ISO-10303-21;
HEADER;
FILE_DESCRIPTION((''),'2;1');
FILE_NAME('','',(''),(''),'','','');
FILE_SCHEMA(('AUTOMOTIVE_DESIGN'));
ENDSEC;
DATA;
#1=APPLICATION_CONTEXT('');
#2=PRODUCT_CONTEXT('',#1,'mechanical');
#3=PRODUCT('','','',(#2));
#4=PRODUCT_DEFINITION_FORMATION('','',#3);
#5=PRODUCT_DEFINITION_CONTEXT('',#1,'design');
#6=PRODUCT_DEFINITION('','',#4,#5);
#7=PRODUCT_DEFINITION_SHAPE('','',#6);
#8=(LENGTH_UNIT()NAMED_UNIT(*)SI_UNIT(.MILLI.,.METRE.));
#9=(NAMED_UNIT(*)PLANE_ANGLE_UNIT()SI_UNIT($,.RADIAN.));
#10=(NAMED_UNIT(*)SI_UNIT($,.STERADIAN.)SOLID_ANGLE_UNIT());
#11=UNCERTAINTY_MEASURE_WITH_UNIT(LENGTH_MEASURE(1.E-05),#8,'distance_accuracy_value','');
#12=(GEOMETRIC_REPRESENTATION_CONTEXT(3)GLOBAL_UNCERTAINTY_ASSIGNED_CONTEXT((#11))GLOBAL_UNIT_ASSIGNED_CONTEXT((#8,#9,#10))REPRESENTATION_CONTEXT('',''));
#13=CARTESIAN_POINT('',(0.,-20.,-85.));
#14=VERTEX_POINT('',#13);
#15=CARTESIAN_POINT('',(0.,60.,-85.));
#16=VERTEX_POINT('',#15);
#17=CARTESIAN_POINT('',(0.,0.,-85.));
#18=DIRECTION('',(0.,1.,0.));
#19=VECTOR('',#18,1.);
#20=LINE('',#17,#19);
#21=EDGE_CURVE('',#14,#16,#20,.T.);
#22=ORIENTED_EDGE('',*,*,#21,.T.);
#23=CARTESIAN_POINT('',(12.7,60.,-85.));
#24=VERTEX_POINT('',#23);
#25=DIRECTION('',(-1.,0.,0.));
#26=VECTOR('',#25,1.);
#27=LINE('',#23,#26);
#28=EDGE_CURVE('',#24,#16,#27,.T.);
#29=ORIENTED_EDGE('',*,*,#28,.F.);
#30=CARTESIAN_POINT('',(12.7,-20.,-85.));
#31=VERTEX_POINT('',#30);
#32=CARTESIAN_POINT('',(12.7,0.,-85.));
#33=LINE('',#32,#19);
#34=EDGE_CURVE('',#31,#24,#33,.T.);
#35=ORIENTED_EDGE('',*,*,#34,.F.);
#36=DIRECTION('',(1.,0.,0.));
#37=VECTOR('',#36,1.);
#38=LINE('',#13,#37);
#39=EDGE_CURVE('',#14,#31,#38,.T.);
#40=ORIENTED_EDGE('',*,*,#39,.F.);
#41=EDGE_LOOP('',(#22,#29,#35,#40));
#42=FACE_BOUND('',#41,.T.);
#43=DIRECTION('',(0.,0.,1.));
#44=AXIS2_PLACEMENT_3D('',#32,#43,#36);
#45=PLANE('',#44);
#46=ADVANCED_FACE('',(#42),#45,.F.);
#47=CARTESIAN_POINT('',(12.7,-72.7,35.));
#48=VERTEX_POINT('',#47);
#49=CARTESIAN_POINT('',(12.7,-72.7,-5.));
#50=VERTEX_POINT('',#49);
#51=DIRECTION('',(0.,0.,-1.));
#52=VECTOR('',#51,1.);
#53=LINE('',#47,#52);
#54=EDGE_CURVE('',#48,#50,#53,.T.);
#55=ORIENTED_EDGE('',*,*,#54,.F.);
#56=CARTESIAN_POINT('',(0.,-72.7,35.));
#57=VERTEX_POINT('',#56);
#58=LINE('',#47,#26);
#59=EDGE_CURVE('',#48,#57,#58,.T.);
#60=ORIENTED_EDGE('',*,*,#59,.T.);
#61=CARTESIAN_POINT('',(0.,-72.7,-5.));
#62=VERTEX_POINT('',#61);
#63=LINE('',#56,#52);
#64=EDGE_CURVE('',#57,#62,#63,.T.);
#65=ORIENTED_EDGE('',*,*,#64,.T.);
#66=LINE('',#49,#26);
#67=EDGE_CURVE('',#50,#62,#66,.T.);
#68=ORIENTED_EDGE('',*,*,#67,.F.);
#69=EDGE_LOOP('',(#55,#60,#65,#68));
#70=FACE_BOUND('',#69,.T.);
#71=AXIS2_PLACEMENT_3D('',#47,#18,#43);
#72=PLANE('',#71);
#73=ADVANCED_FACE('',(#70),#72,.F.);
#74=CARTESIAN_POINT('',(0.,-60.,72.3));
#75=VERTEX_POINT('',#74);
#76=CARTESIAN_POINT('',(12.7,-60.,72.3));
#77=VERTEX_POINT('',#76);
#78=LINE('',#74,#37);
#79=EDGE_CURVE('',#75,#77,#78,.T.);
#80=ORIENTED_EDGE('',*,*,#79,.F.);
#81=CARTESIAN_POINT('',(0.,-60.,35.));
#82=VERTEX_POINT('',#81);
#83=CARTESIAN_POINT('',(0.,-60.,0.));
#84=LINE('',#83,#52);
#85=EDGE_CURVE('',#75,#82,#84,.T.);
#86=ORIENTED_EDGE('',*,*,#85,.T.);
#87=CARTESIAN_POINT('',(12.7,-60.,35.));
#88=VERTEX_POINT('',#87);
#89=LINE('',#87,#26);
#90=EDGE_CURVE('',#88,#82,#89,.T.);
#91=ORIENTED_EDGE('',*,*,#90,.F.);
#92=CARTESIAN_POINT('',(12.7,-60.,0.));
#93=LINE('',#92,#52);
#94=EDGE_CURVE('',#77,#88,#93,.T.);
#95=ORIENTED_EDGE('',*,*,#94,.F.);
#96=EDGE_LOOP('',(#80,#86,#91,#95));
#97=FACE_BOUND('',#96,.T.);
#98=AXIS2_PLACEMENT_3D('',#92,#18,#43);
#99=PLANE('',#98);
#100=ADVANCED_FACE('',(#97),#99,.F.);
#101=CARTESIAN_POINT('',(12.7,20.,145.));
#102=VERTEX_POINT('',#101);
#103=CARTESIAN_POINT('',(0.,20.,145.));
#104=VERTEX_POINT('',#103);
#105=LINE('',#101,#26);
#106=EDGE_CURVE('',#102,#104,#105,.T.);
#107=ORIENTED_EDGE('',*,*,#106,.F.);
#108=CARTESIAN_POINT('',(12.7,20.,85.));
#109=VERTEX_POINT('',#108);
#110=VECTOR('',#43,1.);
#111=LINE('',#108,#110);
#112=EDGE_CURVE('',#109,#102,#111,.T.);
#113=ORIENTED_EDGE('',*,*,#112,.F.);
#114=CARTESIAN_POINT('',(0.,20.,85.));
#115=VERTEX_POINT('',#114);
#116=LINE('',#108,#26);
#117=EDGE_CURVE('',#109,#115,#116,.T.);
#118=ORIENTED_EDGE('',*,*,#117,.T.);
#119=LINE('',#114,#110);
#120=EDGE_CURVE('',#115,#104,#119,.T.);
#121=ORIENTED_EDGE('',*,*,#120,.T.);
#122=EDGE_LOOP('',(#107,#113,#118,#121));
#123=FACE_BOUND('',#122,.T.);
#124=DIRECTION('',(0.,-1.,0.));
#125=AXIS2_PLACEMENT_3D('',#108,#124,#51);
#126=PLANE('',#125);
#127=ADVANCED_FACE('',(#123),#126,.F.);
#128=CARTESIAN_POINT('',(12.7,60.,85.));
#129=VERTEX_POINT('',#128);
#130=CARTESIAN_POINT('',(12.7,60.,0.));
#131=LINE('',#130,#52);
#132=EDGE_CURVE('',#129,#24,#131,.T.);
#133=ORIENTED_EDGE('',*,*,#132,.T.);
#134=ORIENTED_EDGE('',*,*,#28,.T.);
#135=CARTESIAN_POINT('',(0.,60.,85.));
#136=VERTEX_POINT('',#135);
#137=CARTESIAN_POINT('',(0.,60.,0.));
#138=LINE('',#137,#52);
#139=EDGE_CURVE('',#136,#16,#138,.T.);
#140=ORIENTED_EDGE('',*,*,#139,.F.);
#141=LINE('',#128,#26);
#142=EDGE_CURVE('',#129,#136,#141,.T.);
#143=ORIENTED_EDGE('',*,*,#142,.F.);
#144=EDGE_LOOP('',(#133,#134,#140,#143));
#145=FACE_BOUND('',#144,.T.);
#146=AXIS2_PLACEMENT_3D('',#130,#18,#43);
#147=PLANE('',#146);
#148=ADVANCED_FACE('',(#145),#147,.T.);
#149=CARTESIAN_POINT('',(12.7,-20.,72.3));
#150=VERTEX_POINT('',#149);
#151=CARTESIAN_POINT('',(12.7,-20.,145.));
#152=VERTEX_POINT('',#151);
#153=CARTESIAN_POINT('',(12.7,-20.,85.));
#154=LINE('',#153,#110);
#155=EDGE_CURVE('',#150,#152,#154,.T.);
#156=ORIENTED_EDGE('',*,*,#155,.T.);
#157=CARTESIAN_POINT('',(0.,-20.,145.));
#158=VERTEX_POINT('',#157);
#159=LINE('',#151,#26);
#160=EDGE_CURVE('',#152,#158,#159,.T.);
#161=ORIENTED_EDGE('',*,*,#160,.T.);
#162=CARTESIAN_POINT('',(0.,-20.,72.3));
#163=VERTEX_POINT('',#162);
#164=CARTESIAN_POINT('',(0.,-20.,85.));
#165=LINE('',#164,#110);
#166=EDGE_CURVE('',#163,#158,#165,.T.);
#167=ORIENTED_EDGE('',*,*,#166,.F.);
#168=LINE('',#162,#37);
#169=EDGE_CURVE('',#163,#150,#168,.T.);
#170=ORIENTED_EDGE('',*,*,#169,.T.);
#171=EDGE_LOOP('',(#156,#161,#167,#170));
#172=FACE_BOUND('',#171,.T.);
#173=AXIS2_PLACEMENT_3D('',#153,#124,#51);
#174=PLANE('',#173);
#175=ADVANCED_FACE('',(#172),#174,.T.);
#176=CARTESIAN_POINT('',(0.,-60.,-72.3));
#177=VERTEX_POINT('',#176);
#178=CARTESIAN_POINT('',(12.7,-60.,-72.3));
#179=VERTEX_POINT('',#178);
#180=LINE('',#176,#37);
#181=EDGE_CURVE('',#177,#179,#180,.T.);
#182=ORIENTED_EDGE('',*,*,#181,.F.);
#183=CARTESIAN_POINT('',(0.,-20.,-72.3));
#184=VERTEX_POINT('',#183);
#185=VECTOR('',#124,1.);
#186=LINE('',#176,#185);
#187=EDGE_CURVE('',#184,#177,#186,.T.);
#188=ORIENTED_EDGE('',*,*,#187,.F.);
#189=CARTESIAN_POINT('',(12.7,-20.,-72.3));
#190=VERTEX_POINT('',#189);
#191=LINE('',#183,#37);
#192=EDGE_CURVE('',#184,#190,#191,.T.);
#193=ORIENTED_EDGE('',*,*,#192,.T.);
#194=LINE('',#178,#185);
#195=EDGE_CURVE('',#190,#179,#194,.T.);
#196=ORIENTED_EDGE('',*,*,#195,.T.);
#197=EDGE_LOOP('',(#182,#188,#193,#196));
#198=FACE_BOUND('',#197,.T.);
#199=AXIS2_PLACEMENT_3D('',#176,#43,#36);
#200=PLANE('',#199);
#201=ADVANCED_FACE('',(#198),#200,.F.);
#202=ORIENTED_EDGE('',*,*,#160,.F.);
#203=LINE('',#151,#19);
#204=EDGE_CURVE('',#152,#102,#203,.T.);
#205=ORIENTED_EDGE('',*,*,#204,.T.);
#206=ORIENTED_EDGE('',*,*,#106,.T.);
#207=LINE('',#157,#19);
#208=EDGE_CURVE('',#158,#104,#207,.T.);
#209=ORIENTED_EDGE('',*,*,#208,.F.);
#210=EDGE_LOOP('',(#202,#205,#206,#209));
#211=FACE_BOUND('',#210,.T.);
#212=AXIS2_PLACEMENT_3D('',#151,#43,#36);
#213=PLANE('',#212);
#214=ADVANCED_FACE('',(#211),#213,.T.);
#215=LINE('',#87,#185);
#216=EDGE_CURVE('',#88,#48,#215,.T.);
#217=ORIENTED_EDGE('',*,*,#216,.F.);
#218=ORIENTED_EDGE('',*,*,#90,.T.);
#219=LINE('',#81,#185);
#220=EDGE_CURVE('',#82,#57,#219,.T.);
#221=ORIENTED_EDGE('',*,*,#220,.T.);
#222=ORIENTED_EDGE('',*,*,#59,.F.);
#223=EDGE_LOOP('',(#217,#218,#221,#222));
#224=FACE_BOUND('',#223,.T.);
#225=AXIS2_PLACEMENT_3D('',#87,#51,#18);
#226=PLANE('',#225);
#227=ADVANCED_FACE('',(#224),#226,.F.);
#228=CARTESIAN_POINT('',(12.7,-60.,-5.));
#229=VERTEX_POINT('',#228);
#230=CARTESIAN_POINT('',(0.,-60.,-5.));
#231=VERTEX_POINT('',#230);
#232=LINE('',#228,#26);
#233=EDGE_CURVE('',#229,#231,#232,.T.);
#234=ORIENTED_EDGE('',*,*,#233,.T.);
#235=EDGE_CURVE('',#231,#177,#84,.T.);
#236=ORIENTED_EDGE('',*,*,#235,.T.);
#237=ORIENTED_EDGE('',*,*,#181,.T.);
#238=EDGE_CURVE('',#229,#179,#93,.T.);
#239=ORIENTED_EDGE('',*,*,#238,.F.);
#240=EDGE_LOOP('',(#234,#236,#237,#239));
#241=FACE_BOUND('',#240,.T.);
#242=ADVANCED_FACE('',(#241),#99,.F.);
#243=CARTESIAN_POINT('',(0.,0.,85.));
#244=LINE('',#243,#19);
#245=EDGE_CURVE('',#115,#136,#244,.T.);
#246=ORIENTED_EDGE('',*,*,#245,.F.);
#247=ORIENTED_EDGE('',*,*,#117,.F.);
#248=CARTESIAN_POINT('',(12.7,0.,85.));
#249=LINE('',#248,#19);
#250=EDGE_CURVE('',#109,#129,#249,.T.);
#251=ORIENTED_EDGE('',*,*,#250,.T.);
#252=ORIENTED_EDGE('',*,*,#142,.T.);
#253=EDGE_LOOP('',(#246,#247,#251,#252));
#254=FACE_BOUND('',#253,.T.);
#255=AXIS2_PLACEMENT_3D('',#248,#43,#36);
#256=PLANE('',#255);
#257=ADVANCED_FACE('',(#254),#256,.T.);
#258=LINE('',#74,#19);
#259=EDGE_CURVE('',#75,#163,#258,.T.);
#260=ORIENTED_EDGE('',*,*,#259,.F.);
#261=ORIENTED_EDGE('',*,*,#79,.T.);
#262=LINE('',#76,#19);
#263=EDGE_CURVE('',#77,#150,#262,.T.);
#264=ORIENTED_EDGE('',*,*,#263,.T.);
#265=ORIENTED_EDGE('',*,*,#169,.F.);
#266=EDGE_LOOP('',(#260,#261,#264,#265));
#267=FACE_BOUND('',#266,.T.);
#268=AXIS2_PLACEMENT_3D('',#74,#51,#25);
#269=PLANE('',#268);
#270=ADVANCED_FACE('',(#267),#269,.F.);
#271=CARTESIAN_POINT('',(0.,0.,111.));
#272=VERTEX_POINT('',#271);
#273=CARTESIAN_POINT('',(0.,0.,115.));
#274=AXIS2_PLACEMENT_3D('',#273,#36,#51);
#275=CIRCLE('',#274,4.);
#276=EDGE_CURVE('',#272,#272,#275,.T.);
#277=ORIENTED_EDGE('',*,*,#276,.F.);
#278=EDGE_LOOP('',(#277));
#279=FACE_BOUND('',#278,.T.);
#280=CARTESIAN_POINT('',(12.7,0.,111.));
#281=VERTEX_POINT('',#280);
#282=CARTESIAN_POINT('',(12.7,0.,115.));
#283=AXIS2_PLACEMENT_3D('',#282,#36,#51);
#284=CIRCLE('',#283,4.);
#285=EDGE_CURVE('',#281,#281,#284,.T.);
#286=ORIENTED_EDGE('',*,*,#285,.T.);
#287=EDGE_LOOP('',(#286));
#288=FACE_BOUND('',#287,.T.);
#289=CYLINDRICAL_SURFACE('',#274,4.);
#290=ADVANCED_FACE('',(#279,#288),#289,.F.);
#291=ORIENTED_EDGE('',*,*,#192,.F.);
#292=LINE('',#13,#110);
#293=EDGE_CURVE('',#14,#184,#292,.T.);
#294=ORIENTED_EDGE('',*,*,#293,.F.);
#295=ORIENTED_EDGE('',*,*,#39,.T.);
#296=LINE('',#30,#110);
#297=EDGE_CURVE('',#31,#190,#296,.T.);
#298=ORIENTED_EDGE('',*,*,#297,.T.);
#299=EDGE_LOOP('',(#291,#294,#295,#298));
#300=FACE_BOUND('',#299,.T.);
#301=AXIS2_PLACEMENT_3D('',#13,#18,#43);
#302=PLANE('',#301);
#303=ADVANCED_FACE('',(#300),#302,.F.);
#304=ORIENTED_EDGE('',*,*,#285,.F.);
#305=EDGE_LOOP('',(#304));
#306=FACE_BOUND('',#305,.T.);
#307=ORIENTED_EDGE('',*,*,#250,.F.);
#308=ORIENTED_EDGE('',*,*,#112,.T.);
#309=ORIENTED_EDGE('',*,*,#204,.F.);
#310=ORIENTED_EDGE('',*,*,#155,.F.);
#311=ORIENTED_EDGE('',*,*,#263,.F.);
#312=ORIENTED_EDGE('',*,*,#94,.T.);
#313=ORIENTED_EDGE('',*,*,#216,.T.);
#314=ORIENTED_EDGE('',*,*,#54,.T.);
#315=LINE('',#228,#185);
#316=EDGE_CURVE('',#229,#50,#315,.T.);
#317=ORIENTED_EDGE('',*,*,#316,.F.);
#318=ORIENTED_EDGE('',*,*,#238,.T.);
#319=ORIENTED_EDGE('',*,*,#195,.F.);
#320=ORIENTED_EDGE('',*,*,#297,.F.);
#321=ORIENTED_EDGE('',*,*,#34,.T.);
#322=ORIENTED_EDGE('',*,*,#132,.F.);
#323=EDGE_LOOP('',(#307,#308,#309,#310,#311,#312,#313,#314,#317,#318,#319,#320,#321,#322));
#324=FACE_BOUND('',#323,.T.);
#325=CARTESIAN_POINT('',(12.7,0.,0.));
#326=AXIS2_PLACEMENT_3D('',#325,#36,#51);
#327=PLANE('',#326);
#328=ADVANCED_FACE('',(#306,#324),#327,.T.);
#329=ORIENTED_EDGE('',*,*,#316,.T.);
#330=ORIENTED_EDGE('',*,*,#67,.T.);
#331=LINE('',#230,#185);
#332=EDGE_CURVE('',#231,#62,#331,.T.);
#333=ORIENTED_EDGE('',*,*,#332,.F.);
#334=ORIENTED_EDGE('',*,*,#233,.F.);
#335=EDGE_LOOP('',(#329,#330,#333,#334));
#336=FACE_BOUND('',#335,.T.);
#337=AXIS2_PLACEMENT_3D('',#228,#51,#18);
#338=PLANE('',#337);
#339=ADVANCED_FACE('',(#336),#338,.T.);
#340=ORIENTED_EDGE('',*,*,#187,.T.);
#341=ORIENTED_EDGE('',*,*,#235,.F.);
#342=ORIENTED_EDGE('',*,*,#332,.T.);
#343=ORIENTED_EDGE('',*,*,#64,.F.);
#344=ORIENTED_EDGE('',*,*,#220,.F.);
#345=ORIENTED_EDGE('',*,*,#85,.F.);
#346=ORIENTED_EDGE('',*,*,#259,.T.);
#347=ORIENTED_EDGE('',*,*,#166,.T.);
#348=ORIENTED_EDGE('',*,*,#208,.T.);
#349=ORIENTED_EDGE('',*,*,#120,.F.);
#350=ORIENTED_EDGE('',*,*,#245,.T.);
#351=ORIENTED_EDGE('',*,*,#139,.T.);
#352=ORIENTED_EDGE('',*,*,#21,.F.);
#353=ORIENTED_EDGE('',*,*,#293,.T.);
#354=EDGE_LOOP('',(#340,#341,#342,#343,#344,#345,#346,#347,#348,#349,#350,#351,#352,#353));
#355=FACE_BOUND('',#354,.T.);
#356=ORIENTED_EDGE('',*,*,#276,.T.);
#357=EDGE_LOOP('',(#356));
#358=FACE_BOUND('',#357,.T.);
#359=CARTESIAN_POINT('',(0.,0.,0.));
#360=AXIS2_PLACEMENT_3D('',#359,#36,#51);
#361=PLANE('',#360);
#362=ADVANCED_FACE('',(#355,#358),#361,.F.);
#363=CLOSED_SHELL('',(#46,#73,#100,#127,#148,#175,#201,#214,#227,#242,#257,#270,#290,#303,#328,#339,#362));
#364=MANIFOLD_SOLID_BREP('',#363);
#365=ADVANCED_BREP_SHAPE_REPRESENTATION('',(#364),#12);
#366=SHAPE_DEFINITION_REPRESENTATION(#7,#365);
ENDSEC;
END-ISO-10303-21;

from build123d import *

# Parameters (mm, degrees)
SKETCH1_W           = 170
SKETCH1_H           = 120
SKETCH1_W_2         = 40
SKETCH1_H_2         = 12.7
SKETCH1_W_3         = 60
SKETCH1_H_3         = 40
BOSS_EXTRUDE1_DEPTH = 12.7
SKETCH2_R           = 4
SKETCH2_W           = 12.7
SKETCH2_H           = 40
CUT_EXTRUDE1_DEPTH  = 12.7


with BuildPart() as part:
    # Sketch1 → Boss-Extrude1 (new body)
    with BuildSketch(Plane(origin=(0, 0, 0), x_dir=(0, 0, -1), z_dir=(1, 0, 0))):
        Rectangle(SKETCH1_W, SKETCH1_H)
        with Locations((-15, -66.35)):
            Rectangle(SKETCH1_W_2, SKETCH1_H_2)
        with Locations((-115, 0)):
            Rectangle(SKETCH1_W_3, SKETCH1_H_3)
    extrude(amount=BOSS_EXTRUDE1_DEPTH)

    # Sketch2 → Cut-Extrude1 (cut)
    with BuildSketch(Plane(origin=(12.7, 0, 0), x_dir=(0, 0, -1), z_dir=(1, 0, 0))):
        with Locations((-115, 0)):
            Circle(SKETCH2_R)
        with Locations((-78.65, -40)):
            Rectangle(SKETCH2_W, SKETCH2_H)
        with Locations((78.65, -40)):
            Rectangle(SKETCH2_W, SKETCH2_H)
    extrude(amount=-CUT_EXTRUDE1_DEPTH, mode=Mode.SUBTRACT)


solid = part.part
